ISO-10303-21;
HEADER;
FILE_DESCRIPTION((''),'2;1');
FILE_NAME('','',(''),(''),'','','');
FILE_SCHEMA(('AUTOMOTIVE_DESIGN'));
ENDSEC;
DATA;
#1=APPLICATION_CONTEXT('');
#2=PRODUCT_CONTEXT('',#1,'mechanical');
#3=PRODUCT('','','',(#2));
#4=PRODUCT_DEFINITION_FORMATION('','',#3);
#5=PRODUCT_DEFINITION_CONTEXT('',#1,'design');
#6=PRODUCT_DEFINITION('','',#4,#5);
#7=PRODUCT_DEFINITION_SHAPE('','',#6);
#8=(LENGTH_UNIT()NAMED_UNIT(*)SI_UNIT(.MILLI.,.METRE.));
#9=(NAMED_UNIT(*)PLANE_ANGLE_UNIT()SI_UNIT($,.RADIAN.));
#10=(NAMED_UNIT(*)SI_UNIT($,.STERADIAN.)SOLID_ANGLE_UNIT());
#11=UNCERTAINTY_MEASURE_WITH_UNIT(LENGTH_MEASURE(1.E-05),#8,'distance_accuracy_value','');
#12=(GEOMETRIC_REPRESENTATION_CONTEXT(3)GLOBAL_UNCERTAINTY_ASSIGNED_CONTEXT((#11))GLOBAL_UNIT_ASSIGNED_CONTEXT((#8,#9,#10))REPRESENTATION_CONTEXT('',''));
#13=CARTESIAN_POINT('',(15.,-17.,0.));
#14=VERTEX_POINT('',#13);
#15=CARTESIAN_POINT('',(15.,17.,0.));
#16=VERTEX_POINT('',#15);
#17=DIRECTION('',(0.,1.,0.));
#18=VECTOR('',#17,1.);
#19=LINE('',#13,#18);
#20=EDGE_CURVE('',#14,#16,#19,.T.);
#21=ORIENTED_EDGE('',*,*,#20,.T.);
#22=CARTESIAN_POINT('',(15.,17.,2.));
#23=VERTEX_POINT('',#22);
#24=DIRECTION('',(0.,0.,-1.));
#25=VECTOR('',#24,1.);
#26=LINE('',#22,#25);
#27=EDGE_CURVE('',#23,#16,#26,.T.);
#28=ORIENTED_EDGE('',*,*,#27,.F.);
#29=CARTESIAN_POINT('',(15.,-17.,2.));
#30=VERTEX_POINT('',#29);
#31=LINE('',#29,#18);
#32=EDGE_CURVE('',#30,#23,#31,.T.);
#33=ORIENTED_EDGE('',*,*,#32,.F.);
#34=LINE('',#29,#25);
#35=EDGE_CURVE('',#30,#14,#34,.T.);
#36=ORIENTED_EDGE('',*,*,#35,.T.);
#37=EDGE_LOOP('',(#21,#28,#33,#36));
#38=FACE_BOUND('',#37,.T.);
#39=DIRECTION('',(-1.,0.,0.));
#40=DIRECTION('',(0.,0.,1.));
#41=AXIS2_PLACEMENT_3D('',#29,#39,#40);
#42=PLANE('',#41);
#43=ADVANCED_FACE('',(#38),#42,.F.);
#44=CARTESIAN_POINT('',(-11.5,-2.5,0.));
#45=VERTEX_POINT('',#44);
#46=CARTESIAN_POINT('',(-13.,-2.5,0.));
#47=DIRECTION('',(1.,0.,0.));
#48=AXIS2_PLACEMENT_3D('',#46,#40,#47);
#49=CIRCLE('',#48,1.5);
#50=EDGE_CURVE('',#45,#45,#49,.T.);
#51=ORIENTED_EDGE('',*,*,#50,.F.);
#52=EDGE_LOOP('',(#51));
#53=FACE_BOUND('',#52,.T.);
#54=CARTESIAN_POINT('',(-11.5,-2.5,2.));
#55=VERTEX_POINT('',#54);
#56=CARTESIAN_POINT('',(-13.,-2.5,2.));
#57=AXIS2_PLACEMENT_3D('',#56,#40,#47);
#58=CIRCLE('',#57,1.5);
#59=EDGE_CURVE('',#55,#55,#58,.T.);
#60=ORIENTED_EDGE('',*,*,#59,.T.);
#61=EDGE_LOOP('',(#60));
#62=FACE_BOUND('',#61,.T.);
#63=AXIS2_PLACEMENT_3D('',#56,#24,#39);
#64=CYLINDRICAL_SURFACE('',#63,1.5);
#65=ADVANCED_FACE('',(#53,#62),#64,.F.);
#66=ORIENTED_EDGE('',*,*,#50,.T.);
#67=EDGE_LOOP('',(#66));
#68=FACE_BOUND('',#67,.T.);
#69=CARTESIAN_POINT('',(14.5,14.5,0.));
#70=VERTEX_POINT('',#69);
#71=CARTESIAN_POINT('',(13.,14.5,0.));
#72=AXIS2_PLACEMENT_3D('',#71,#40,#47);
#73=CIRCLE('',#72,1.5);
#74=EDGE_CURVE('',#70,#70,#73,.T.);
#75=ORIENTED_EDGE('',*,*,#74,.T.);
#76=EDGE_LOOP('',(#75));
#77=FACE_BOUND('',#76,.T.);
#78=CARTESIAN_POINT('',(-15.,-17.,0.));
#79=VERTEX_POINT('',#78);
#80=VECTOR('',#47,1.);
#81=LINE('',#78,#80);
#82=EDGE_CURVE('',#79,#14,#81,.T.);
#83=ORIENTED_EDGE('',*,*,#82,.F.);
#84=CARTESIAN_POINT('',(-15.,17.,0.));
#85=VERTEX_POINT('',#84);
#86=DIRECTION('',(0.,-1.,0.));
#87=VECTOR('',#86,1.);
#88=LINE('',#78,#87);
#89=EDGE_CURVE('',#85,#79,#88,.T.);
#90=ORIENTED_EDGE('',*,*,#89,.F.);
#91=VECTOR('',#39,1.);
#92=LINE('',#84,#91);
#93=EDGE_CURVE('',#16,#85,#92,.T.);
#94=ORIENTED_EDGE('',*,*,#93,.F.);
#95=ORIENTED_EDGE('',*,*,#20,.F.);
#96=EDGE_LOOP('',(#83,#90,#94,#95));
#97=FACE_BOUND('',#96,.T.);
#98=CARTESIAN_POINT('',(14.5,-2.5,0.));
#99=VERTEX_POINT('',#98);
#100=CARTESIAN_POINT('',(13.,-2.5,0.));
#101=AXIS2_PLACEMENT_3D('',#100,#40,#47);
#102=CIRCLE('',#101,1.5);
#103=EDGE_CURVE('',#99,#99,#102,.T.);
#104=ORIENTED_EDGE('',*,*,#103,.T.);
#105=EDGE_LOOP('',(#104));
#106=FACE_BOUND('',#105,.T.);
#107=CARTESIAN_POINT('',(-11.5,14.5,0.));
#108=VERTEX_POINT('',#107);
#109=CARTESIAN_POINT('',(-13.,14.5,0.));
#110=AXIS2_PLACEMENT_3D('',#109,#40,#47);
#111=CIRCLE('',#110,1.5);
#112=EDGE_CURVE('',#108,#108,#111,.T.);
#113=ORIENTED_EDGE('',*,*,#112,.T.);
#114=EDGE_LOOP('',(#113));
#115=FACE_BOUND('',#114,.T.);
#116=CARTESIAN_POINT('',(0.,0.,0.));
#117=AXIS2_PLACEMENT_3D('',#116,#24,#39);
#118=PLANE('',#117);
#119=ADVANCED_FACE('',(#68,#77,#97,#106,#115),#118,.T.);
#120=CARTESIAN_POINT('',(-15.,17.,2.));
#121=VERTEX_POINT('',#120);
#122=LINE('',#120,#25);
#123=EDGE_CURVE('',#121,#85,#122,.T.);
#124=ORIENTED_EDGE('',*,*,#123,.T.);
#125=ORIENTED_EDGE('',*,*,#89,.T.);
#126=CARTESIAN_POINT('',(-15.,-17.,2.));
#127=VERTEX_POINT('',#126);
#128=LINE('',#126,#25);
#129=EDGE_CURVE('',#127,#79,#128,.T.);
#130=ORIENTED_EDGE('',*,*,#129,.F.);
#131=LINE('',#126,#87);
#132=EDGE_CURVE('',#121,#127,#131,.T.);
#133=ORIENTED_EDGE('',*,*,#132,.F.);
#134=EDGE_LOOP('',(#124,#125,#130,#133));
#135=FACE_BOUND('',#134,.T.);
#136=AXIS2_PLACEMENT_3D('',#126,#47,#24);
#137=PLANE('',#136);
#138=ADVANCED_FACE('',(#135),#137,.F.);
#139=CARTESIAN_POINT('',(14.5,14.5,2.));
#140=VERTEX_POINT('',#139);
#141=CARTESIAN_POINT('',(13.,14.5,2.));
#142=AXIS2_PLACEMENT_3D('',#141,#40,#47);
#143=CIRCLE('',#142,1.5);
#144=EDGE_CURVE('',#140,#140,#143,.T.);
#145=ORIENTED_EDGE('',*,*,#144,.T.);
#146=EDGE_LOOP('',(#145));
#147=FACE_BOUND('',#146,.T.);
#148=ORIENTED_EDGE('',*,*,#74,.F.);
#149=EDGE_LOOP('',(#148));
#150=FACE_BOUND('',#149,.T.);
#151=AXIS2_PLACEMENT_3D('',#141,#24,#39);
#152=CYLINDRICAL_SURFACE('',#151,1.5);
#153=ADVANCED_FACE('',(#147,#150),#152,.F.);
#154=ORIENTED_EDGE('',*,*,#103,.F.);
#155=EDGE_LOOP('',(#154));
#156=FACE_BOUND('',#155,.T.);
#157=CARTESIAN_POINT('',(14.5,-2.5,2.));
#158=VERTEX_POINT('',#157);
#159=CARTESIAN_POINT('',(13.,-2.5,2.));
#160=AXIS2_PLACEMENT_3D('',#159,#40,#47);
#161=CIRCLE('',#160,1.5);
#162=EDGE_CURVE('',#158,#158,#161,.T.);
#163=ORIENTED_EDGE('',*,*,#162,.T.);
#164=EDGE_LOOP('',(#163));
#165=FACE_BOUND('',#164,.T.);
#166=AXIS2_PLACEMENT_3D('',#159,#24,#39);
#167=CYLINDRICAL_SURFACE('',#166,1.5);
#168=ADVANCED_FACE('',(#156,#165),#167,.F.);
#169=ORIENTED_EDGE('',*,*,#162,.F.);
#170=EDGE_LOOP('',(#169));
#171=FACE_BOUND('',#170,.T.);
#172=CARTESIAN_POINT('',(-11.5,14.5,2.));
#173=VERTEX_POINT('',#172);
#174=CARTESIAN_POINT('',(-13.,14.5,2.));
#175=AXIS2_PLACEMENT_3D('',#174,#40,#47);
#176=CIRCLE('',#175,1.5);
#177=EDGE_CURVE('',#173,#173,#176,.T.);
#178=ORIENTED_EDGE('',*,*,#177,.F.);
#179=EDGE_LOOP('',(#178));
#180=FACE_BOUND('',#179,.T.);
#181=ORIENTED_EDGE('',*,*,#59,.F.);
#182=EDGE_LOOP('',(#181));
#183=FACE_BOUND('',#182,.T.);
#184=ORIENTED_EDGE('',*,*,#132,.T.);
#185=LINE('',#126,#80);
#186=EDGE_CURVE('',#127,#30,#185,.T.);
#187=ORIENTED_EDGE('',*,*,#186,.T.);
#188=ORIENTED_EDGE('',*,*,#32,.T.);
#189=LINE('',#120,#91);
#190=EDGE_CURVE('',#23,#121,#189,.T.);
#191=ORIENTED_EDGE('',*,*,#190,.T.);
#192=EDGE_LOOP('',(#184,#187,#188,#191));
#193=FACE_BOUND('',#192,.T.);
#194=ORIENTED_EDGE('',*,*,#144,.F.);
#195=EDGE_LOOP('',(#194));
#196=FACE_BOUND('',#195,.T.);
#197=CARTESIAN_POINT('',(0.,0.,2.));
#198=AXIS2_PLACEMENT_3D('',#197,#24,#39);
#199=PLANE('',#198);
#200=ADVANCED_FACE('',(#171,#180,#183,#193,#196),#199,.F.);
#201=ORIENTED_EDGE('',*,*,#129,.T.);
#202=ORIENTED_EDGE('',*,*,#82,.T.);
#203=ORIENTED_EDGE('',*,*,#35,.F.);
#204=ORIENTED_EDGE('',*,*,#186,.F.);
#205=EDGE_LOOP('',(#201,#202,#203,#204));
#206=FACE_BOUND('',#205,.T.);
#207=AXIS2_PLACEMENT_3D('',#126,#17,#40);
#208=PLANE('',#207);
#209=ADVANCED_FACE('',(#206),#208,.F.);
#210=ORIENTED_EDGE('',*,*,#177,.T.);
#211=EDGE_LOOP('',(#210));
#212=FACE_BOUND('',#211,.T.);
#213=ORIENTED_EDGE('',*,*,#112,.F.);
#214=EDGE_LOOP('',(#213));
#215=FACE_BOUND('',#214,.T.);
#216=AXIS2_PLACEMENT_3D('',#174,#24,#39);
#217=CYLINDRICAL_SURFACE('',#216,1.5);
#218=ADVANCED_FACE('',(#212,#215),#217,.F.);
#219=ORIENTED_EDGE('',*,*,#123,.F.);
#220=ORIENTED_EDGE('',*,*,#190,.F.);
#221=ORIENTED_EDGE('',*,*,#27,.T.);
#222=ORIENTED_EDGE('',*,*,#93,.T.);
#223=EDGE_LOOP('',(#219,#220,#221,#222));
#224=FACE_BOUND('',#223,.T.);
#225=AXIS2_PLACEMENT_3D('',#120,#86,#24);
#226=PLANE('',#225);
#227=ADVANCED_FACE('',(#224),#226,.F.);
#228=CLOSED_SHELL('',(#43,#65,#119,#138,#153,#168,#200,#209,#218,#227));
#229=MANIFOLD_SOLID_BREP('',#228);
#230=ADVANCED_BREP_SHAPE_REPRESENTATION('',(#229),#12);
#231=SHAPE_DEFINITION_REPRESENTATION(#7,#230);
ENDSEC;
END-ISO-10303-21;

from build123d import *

# Parameters (mm, degrees)
SKETCH1_W           = 30
SKETCH1_H           = 34
SKETCH1_R           = 1.5
BOSS_EXTRUDE1_DEPTH = 2


with BuildPart() as part:
    # Sketch1 → Boss-Extrude1 (new body)
    with BuildSketch(Plane.XY):
        Rectangle(SKETCH1_W, SKETCH1_H)
        with Locations((-13, 14.5)):
            Circle(SKETCH1_R, mode=Mode.SUBTRACT)
        with Locations((13, 14.5)):
            Circle(SKETCH1_R, mode=Mode.SUBTRACT)
        with Locations((-13, -2.5)):
            Circle(SKETCH1_R, mode=Mode.SUBTRACT)
        with Locations((13, -2.5)):
            Circle(SKETCH1_R, mode=Mode.SUBTRACT)
    extrude(amount=BOSS_EXTRUDE1_DEPTH)


solid = part.part
